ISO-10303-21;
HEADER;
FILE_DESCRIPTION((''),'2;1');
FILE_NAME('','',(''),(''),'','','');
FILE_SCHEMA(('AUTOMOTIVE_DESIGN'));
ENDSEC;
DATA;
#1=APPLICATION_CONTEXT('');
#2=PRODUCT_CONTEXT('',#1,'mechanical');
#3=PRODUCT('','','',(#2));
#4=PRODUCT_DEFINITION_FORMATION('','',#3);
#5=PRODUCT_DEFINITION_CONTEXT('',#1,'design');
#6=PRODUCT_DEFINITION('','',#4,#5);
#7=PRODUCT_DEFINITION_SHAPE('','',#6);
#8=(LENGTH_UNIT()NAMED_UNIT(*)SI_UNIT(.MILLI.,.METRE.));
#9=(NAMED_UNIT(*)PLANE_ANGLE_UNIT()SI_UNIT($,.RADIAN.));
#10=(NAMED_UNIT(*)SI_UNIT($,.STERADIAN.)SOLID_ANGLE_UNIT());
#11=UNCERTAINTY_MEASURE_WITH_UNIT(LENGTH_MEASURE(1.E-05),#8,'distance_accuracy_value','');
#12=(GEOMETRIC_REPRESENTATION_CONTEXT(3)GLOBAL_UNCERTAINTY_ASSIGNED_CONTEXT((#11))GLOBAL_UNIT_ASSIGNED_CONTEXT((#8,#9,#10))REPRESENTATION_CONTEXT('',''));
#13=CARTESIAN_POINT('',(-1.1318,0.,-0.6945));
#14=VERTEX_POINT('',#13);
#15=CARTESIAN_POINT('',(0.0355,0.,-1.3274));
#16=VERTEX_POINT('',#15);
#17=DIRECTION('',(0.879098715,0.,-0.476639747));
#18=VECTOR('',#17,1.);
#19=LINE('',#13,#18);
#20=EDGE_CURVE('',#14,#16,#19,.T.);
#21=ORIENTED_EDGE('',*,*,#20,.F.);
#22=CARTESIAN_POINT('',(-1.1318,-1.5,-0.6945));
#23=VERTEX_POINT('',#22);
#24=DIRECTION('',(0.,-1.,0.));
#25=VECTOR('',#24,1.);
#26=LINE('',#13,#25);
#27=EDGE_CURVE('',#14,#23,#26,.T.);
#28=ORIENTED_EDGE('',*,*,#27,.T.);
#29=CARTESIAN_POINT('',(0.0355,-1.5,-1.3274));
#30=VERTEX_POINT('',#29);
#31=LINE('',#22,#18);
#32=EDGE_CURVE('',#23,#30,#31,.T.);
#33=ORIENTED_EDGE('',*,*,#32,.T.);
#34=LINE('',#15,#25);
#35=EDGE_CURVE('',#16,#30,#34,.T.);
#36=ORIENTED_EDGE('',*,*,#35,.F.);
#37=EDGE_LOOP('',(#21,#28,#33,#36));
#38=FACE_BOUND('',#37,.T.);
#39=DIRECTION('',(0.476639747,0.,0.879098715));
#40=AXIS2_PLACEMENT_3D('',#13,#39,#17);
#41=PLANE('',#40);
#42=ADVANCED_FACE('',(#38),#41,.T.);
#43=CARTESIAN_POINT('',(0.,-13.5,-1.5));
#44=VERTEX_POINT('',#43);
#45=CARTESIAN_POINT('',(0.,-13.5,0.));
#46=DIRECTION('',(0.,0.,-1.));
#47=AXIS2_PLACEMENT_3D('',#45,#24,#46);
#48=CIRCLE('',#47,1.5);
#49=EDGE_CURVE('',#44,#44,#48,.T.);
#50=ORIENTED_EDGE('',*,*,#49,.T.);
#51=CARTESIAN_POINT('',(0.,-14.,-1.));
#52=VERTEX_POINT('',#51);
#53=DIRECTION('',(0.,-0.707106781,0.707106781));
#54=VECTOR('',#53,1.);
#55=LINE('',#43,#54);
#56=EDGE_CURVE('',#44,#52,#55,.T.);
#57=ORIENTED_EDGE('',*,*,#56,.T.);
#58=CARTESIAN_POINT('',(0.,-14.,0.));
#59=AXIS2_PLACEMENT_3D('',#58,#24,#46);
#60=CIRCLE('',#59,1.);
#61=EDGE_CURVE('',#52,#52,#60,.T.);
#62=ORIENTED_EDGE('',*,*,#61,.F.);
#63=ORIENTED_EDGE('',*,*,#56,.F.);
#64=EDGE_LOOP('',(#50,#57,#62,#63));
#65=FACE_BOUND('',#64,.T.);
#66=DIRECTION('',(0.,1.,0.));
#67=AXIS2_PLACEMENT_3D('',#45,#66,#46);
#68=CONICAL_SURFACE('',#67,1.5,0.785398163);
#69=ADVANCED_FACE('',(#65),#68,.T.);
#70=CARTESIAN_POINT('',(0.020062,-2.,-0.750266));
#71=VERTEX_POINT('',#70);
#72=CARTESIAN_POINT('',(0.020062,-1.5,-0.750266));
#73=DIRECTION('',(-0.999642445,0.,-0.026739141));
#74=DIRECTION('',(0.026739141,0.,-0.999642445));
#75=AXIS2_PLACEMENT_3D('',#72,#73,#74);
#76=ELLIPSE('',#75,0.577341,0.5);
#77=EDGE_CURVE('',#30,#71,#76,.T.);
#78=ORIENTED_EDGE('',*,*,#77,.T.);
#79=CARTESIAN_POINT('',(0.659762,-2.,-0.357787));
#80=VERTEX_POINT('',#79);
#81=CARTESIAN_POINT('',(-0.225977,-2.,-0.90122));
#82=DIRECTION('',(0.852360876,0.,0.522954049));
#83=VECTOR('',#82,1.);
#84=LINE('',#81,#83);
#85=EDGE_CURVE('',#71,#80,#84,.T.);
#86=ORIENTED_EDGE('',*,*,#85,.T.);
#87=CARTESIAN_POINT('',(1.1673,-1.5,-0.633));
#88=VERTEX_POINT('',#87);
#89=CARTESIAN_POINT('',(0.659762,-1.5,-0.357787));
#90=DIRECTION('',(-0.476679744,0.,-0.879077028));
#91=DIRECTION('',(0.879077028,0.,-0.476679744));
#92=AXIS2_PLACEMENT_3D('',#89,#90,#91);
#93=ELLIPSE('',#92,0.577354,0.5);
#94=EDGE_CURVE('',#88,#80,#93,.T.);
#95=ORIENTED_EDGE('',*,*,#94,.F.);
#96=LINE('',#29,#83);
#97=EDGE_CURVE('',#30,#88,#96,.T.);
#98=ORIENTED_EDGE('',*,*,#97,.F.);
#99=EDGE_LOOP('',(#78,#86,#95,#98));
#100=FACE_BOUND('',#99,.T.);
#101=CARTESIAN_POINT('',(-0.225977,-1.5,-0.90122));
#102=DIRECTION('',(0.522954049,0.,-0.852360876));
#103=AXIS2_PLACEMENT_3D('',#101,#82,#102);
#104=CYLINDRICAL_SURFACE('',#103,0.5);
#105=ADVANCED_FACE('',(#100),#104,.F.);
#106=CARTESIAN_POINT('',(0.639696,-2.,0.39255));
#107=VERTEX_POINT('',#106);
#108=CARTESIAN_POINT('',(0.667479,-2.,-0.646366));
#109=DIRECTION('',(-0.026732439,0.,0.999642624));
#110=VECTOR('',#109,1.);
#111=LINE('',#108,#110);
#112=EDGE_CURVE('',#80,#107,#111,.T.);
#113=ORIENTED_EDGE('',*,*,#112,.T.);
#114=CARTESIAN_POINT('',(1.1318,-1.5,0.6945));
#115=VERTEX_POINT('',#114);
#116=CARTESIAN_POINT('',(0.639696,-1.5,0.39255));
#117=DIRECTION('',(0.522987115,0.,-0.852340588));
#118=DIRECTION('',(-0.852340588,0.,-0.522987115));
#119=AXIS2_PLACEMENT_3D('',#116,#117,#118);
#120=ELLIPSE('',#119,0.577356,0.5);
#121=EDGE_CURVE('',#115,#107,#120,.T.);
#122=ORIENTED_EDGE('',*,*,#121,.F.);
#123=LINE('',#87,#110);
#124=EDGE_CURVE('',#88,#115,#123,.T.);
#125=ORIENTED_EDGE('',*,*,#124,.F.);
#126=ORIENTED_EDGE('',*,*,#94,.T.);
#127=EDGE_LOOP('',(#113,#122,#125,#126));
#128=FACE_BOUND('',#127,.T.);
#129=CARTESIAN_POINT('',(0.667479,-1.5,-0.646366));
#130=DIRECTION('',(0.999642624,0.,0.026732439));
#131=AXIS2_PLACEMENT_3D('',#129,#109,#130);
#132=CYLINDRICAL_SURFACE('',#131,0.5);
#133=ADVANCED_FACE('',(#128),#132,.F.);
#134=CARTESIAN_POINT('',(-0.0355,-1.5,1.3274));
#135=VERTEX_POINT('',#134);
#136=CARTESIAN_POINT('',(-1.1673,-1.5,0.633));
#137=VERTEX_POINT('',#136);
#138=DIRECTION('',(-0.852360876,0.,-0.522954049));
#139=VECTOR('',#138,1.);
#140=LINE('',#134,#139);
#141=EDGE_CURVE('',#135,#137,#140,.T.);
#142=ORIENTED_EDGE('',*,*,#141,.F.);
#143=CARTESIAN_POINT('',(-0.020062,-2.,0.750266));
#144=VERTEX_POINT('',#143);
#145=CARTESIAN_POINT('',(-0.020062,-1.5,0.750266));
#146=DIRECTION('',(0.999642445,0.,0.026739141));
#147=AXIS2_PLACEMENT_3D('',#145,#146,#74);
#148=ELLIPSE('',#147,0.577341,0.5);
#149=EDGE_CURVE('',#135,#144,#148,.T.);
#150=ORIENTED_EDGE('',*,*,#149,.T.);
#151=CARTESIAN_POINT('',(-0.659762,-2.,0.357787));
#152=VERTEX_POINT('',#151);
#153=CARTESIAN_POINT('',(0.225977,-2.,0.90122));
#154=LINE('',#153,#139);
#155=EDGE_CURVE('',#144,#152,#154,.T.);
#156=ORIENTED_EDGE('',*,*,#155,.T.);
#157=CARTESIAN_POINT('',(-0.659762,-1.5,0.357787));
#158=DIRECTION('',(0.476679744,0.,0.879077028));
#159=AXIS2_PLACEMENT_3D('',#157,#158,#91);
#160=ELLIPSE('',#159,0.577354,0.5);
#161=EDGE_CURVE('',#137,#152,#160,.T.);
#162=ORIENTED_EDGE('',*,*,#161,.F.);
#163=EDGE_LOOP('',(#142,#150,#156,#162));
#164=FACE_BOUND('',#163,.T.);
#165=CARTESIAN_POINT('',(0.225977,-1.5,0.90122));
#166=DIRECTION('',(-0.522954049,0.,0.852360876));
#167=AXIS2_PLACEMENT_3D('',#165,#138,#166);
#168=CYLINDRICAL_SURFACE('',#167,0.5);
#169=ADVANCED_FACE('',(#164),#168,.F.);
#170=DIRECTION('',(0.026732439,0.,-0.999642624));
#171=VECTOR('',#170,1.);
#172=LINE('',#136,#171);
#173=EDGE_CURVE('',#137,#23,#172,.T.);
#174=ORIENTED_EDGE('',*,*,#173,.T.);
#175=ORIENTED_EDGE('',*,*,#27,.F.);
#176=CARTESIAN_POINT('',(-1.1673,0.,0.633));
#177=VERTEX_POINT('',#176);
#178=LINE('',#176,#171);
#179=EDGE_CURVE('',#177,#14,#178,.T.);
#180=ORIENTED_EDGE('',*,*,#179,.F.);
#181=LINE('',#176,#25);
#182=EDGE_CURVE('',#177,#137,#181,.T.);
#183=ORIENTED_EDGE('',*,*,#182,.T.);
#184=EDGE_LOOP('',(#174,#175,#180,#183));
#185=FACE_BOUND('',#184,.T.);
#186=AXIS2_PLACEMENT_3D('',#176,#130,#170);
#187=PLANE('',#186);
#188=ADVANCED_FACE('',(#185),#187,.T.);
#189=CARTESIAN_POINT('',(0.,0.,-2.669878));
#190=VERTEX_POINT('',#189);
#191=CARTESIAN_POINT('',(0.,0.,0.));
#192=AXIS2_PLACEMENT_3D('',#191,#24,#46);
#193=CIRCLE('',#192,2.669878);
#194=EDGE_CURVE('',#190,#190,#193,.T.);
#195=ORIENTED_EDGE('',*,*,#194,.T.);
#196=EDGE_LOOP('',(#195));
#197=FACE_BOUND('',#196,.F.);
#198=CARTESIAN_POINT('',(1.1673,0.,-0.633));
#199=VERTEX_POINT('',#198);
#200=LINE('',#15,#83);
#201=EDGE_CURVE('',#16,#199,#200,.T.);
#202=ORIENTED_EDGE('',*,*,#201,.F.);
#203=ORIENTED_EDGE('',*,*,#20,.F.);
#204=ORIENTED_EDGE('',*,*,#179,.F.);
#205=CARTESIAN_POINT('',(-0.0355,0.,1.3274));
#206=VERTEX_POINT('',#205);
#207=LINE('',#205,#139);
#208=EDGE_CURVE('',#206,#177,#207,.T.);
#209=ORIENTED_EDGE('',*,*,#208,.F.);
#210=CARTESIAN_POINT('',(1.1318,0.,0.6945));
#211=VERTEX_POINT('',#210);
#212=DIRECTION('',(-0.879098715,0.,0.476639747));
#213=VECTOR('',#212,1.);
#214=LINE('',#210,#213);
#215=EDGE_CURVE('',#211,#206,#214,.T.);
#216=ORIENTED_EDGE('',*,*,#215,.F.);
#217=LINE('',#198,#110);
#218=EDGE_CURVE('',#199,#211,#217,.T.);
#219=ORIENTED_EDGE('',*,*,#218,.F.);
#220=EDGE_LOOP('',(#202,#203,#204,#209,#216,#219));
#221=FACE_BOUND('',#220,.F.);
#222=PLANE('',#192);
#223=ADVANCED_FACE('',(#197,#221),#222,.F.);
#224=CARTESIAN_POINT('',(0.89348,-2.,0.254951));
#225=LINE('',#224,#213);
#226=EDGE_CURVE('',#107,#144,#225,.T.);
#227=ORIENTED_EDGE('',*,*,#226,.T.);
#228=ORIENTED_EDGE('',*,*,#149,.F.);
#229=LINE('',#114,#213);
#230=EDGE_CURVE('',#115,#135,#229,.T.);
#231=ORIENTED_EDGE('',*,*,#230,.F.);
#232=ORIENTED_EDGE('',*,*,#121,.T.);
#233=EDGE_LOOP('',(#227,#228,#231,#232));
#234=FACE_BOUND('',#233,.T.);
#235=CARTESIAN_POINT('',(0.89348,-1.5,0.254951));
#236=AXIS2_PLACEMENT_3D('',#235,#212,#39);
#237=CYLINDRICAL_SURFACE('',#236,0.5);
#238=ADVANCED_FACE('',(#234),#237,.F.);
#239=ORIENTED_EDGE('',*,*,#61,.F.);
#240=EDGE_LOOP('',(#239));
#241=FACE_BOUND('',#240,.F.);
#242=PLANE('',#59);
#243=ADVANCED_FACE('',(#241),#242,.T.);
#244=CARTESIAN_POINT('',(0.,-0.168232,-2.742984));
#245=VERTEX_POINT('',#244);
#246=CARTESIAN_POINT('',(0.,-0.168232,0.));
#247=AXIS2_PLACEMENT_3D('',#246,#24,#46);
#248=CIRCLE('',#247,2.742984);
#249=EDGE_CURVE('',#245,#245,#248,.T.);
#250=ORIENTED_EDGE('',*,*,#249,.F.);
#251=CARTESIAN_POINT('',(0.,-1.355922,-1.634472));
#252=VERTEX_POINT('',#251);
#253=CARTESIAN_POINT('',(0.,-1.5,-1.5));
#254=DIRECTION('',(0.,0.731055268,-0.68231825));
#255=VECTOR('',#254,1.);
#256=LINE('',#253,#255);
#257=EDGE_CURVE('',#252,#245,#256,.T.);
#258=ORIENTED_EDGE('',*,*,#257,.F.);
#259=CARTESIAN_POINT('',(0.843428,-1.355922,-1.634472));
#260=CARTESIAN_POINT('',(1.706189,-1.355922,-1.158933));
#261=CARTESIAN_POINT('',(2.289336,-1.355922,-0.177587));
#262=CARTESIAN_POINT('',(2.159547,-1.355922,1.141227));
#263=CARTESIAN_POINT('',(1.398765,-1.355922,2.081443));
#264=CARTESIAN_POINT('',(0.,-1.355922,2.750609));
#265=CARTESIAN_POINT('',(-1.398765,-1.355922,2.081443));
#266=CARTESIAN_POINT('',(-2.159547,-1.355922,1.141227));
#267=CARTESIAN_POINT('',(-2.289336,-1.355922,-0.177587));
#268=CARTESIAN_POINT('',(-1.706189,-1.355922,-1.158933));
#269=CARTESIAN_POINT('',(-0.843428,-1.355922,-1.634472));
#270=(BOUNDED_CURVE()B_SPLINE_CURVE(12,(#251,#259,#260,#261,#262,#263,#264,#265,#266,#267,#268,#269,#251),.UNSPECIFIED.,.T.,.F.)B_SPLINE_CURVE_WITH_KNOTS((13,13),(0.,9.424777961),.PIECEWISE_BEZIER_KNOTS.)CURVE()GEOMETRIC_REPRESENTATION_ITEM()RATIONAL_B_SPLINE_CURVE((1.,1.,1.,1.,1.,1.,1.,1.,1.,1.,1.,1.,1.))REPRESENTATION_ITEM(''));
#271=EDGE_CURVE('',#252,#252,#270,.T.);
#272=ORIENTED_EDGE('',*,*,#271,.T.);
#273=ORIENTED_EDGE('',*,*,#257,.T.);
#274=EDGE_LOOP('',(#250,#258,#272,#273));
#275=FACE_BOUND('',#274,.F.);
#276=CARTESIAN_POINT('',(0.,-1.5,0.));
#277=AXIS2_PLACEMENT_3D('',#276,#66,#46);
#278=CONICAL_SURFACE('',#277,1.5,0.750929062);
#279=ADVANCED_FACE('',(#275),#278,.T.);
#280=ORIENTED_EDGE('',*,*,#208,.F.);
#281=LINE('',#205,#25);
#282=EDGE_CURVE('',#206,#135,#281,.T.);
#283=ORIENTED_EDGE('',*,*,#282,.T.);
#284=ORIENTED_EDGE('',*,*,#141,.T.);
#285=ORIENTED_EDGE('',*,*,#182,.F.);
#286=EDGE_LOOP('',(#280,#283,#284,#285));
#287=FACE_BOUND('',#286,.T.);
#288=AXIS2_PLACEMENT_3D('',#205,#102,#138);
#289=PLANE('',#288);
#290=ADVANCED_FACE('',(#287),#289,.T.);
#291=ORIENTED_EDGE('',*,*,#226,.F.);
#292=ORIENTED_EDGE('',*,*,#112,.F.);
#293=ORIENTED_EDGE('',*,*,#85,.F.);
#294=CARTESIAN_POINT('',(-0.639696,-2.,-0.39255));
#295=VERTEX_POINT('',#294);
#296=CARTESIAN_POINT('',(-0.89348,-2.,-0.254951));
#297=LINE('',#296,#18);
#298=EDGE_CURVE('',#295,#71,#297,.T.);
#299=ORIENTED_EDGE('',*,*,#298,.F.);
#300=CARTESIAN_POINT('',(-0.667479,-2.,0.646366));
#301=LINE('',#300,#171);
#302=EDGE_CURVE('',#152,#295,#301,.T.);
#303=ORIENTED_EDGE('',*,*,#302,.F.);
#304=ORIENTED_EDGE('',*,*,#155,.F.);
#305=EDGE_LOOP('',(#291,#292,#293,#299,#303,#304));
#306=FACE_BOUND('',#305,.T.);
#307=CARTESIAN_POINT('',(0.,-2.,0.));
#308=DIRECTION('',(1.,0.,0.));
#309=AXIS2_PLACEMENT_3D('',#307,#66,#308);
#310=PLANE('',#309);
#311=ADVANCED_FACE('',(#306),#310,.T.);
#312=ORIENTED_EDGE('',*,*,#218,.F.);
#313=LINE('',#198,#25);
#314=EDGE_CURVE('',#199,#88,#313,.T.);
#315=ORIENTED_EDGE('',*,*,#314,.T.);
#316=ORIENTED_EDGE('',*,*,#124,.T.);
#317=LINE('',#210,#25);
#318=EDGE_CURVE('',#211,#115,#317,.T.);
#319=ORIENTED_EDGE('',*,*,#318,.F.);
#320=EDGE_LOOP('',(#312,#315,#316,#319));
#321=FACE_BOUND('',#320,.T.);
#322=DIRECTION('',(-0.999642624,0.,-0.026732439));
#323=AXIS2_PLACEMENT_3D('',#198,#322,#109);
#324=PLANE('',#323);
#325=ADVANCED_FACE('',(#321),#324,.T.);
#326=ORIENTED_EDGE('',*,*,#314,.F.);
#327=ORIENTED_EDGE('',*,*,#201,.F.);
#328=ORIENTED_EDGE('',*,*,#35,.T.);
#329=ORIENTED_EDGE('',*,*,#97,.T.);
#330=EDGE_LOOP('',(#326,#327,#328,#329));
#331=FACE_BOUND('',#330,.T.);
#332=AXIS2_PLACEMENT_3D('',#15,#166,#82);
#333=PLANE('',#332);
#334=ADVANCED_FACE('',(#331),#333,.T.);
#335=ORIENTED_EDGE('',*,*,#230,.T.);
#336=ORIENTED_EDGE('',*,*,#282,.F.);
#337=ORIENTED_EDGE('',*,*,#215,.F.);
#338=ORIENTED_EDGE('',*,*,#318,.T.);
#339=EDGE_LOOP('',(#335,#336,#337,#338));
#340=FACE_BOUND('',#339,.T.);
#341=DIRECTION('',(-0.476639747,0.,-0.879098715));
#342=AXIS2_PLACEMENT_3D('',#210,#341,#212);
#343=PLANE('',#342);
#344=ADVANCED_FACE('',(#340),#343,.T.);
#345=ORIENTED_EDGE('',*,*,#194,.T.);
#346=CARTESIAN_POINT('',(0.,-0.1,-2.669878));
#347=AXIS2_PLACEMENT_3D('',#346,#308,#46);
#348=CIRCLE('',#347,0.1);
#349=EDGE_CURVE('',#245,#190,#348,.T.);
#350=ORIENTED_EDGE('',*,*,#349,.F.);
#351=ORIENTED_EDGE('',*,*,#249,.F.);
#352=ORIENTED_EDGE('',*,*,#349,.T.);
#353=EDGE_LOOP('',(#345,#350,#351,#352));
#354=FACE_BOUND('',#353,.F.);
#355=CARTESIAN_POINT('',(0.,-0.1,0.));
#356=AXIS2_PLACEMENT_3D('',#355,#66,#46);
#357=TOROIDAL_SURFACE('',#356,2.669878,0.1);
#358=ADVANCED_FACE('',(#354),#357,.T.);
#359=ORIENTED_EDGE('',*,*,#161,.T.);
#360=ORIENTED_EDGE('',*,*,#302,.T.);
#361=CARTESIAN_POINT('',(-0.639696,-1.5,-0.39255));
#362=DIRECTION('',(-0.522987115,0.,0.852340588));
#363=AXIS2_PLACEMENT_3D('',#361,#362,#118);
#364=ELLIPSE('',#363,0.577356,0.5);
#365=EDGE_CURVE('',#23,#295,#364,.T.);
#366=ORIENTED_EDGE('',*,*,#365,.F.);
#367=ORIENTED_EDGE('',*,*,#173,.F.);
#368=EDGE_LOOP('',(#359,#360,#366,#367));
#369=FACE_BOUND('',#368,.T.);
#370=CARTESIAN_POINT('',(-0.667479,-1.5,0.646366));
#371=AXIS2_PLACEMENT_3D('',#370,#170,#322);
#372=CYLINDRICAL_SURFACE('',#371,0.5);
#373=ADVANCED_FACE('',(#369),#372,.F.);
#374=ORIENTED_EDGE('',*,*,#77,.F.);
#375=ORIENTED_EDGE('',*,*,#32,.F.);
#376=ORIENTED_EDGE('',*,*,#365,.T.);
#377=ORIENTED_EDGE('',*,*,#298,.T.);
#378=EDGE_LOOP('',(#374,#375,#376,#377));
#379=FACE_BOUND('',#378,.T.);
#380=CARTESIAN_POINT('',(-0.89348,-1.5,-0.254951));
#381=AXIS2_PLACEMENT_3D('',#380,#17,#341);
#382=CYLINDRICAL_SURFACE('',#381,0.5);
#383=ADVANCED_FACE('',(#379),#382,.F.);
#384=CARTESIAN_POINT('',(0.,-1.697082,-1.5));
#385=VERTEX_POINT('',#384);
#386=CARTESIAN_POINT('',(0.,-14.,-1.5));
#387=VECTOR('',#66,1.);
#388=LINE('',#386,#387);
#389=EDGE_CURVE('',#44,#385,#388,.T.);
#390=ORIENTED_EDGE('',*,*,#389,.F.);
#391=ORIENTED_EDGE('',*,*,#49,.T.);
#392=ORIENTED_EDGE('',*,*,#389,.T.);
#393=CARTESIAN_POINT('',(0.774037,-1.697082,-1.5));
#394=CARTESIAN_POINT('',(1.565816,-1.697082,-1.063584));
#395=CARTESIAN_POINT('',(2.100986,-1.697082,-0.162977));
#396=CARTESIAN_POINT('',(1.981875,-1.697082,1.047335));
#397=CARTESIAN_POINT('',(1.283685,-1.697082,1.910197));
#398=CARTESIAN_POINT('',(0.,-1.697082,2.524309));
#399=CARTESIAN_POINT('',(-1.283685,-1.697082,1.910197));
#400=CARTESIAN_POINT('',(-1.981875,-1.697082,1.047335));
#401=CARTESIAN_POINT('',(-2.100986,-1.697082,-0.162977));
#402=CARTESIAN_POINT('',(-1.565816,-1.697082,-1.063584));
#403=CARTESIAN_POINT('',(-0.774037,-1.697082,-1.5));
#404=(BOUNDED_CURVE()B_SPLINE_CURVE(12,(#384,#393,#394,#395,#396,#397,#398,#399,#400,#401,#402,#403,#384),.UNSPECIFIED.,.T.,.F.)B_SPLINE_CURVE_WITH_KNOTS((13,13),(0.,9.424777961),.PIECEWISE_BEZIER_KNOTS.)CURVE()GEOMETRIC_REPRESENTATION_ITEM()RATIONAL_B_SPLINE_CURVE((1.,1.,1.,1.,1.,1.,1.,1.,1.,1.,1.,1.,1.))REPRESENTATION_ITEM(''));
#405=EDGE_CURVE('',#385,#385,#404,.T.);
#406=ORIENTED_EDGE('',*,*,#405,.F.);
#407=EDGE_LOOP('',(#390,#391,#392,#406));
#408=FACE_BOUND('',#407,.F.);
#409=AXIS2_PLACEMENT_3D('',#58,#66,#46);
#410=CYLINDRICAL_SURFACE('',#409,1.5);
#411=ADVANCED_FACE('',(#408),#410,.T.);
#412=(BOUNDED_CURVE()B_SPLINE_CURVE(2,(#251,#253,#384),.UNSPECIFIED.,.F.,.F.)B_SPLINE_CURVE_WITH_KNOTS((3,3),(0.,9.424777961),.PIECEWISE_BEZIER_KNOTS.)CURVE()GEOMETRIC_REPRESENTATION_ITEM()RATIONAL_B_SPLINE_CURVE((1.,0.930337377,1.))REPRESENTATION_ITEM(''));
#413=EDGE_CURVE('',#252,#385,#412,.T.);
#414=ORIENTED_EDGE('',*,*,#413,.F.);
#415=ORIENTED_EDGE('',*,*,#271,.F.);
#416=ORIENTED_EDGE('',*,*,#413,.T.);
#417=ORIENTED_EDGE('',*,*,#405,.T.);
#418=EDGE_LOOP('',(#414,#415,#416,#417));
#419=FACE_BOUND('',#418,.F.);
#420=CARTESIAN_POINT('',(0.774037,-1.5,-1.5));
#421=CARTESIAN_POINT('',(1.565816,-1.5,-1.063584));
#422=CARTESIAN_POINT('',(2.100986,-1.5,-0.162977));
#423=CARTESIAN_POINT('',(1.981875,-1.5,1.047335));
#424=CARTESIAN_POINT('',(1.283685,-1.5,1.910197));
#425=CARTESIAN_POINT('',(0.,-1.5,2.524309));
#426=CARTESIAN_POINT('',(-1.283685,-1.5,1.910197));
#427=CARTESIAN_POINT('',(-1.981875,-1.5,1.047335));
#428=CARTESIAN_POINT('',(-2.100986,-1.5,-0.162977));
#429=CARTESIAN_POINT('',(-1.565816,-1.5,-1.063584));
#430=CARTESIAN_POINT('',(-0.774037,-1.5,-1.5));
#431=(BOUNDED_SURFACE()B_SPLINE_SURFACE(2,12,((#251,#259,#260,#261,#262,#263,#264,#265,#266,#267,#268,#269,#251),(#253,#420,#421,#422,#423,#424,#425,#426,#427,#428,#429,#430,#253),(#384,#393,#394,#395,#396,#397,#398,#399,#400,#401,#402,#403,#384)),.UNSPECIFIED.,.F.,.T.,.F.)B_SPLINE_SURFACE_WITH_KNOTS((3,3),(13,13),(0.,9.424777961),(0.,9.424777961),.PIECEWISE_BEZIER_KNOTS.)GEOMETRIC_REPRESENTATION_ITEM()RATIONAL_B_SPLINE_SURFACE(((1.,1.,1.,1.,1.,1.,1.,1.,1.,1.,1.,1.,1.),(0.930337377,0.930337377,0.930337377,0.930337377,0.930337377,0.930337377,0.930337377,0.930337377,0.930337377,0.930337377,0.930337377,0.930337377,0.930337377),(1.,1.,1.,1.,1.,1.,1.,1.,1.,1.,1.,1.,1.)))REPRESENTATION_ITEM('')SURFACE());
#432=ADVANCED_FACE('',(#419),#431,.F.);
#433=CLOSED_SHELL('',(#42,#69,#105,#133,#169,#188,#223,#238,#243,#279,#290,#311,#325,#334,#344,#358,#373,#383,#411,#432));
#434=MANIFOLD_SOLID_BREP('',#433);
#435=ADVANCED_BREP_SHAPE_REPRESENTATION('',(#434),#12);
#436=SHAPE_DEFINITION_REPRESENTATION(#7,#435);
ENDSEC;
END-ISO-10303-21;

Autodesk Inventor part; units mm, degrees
ref_plane "YZ Plane" through (0, 0, 0) normal (1, 0, 0) x (0, 1, 0)
ref_plane "XZ Plane" through (0, 0, 0) normal (0, 1, 0) x (-1, 0, 0)
ref_plane "XY Plane" through (0, 0, 0) normal (0, 0, 1) x (1, 0, 0)
sketch "Szkic2" plane through (0, 0, 0) normal (1, 0, 0) x (0, 1, 0)
  line L0 (0, -2.9) -> (0, 2.9)
  line L1 (-1.5, -1.5) -> (-1.5, 1.5)
  line L2 (-1.5, -1.5) -> (0, -2.9)
  line L3 (-1.5, 1.5) -> (0, 2.9)
  line L4 (0, 0) -> (-14, 0)
  line L5 (-14, 0) -> (-14, -1.5)
  line L6 (-14, -1.5) -> (-1.5, -1.5)
  dimension "d0" = 5.8
  dimension "d2" = 3
  dimension "d3" = 1.5
  dimension "d4" = 14
  dimension "d5" = 1.5
revolve "Obrót1" add sketch "Szkic2" angle 360 about axis through (0, 0, 0) along (0, -1, 0) contours L2 L1 L4 L0 | L6 L5 L4 L1
sketch "Szkic3" plane through (0, 0, 0) normal (0, 1, 0) x (1, 0, 0)
  line L0 (-1.1673, -0.633) -> (-1.1318, 0.6945)
  line L1 (-1.1318, 0.6945) -> (0.0355, 1.3274)
  line L2 (0.0355, 1.3274) -> (1.1673, 0.633)
  line L3 (1.1673, 0.633) -> (1.1318, -0.6945)
  line L4 (1.1318, -0.6945) -> (-0.0355, -1.3274)
  line L5 (-0.0355, -1.3274) -> (-1.1673, -0.633)
  point P0 (0, 0)
  point P1 (0, 0)
  dimension "d7" = 2.3
extrude "Wyciągnięcie proste1" cut sketch "Szkic3" against normal blind 2
fillet "Zaokrąglenie1" radius 0.5 6 edges at (-1.1496, -2, -0.0308) (-0.6014, -2, 0.9802) (-0.5482, -2, -1.011) (0.6014, -2, -0.9802) (0.5482, -2, 1.011) (1.1496, -2, 0.0308)
fillet "Zaokrąglenie2" radius 0.5 1 edges at (0, -1.5, 1.5)
fillet "Zaokrąglenie3" radius 0.1 1 edges at (0, 0, 2.9)
thread "Gwint1" size "M3x0.5" class "6g" standard "ANSI Metric M Profile" full length
chamfer "Faza1" distance 0.5 angle 45 1 edges at (0, -14, 1.5)
properties part number "Screw M3 14mm flat head"
